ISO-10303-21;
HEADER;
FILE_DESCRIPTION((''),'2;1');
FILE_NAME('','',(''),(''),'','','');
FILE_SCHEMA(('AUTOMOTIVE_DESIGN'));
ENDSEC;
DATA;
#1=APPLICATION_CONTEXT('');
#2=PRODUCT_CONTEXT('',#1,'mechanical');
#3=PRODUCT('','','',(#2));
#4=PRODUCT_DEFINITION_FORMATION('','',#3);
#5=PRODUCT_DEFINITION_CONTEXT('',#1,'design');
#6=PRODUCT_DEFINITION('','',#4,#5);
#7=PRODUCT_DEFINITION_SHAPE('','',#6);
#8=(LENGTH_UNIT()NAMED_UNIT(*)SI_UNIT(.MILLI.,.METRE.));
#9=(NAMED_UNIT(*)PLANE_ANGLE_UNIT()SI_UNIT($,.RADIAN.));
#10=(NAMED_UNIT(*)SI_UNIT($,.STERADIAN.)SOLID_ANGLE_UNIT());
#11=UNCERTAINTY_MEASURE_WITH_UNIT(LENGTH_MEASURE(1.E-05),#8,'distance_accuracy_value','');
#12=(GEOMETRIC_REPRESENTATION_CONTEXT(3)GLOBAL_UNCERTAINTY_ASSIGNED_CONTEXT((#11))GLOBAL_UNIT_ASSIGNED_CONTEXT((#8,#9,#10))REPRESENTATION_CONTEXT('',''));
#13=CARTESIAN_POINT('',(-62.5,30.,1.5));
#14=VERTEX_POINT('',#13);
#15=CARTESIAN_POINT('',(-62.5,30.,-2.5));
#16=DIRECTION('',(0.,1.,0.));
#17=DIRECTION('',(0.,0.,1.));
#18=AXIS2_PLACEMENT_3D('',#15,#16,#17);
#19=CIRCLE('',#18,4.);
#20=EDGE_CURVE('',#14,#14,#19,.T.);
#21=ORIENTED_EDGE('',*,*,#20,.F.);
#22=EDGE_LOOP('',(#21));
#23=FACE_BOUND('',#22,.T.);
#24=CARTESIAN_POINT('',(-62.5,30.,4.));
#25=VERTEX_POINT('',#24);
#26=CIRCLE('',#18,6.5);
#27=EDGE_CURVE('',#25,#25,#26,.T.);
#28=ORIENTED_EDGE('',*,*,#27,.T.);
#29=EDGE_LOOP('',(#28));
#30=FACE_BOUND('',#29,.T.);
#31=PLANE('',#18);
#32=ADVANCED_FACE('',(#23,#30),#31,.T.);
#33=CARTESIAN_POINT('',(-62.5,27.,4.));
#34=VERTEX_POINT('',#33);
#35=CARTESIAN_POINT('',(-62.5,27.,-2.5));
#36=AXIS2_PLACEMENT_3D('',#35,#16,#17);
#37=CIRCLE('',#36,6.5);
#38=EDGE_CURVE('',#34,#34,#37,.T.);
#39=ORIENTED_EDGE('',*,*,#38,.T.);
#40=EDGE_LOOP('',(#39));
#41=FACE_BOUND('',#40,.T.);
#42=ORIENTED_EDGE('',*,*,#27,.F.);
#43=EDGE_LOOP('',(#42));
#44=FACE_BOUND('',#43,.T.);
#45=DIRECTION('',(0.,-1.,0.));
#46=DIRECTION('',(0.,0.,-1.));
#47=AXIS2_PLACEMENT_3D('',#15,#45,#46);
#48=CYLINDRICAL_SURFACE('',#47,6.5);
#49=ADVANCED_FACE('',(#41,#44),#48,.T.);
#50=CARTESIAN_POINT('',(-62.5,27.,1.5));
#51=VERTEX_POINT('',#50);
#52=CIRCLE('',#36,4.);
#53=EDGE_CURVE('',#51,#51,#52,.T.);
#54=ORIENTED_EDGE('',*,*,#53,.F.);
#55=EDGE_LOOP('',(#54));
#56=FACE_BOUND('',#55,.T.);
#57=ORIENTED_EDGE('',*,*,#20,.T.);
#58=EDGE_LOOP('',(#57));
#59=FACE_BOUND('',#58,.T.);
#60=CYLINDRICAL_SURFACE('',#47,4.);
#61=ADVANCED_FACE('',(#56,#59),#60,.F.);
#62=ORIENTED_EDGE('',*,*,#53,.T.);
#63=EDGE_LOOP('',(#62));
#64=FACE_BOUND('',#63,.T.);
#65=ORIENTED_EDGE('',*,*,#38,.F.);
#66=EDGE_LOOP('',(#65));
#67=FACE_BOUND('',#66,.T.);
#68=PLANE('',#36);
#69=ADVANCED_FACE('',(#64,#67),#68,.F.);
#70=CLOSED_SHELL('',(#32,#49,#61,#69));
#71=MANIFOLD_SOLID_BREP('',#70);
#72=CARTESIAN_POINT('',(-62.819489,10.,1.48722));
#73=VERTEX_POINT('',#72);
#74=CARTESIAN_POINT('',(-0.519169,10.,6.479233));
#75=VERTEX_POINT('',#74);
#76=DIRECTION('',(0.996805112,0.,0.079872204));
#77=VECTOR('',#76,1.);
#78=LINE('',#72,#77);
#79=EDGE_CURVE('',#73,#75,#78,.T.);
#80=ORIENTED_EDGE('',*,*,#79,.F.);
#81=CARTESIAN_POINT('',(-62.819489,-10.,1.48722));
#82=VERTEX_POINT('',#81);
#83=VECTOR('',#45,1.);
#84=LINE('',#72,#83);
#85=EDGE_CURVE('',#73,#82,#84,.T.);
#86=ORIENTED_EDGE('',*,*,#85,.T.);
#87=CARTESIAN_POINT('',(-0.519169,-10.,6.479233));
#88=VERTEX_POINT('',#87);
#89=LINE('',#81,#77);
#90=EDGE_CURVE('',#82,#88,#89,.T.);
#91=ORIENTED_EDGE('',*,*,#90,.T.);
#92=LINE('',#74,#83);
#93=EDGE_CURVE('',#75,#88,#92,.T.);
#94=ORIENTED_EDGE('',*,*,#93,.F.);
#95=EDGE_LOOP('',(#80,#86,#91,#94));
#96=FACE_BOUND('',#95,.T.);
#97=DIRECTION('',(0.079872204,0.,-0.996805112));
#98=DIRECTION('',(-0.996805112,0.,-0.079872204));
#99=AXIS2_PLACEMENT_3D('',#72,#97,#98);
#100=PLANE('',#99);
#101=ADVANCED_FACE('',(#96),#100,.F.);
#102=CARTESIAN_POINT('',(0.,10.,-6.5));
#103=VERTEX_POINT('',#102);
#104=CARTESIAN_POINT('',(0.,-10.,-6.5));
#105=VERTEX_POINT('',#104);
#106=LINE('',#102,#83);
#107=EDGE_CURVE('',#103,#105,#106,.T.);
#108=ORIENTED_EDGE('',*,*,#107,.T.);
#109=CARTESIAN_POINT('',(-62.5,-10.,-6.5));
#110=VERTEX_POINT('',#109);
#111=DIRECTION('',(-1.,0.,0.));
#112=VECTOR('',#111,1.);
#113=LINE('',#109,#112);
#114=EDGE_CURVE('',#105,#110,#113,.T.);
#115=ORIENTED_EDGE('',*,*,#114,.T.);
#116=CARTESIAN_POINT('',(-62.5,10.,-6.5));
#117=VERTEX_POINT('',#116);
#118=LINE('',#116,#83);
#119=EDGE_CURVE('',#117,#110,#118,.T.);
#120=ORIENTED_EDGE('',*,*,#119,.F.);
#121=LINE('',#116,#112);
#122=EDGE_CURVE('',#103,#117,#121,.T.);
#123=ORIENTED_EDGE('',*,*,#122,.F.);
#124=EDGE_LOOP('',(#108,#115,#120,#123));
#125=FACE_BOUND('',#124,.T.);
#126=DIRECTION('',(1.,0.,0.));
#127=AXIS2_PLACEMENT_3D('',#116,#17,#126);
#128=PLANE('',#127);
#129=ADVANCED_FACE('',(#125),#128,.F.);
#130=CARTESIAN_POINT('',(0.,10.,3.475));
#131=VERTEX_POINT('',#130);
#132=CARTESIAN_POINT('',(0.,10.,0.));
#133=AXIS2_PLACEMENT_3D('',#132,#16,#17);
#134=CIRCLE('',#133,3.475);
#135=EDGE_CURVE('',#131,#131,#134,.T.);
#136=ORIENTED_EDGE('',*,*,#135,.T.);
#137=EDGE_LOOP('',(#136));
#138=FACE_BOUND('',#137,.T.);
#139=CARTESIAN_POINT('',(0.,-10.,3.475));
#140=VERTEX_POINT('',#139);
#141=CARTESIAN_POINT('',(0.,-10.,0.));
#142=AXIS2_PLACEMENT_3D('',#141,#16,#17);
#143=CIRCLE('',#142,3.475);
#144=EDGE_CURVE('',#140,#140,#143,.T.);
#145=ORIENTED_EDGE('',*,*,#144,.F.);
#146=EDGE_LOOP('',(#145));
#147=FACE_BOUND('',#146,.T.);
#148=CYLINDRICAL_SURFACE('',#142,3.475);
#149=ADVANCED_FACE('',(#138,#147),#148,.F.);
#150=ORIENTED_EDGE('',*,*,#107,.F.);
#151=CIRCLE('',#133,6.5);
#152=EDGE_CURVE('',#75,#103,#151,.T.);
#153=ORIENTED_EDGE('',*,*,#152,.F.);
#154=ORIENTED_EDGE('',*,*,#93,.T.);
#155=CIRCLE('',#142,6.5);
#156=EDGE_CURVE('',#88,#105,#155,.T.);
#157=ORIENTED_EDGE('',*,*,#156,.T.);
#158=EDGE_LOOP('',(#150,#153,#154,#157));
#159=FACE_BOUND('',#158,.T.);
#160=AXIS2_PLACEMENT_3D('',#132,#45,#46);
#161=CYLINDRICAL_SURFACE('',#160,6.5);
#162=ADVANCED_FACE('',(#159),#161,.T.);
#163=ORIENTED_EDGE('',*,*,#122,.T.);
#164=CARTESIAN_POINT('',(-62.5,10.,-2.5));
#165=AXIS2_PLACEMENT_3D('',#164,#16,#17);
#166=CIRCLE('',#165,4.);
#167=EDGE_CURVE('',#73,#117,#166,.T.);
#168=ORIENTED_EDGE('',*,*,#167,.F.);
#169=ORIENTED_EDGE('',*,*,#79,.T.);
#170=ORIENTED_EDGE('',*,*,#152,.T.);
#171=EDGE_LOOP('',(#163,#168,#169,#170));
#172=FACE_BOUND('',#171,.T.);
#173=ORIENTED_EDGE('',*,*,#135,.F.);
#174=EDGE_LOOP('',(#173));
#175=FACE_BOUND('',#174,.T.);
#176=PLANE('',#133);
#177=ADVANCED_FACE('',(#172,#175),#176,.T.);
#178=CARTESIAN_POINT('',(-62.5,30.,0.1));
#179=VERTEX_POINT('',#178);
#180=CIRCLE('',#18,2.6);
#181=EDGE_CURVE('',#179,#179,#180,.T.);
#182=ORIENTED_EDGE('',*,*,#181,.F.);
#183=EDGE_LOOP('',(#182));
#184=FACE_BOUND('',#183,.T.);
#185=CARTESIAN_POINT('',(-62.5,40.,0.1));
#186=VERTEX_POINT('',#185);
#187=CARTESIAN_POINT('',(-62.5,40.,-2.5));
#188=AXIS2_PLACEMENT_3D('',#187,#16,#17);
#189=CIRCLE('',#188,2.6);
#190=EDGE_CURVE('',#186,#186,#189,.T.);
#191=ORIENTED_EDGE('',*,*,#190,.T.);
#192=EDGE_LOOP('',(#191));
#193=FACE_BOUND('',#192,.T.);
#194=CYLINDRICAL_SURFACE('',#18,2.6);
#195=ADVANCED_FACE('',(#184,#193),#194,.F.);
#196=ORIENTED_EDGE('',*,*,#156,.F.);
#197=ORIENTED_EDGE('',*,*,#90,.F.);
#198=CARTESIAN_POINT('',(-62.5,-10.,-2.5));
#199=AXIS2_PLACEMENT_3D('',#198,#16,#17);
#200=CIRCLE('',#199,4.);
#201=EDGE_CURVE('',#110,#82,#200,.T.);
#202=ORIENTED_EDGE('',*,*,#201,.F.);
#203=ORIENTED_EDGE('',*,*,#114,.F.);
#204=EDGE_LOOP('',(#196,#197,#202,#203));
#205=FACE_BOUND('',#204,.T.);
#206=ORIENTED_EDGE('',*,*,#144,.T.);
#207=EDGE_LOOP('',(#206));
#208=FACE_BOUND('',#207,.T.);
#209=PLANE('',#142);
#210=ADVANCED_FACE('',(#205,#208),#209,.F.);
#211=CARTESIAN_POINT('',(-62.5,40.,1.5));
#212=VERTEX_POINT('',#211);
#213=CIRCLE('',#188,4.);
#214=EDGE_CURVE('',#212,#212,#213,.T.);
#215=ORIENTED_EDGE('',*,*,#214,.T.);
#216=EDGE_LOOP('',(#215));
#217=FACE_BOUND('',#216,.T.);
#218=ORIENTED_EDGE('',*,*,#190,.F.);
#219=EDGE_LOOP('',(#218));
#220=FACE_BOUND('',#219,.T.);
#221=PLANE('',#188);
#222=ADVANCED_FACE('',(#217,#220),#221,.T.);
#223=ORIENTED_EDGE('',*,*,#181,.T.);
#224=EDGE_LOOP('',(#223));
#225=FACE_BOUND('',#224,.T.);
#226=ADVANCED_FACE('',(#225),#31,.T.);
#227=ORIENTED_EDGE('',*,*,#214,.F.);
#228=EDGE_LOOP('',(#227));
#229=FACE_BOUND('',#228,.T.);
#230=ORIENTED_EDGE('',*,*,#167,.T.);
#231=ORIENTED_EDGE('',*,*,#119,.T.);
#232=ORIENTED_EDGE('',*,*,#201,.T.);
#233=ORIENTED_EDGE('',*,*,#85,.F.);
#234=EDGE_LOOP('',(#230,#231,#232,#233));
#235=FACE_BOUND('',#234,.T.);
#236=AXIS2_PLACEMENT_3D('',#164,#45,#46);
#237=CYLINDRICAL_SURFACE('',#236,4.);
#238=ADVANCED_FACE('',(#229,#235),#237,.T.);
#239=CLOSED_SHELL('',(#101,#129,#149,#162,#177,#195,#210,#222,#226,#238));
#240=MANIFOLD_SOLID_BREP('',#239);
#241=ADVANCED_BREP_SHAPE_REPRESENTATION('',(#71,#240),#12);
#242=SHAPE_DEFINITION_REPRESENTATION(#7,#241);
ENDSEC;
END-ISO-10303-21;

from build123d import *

# Parameters (mm, degrees)
SALIENTE_EXTRUIR1_DEPTH = 10
CROQUIS2_R              = 3.475
CORTAR_EXTRUIR1_DEPTH   = 21
CROQUIS3_R              = 4
SALIENTE_EXTRUIR2_DEPTH = 30
CROQUIS4_R              = 2.6
CORTAR_EXTRUIR2_DEPTH   = 10
SALIENTE_EXTRUIR3_START = -13
CROQUIS6_R              = 6.5
CROQUIS6_R_2            = 4
SALIENTE_EXTRUIR3_DEPTH = 3


with BuildPart() as part:
    # Croquis1 → Saliente-Extruir1 (new body, symmetric)
    with BuildSketch(Plane(origin=(0, 0, 0), x_dir=(1, 0, 0), z_dir=(0, 1, 0))):
        with BuildLine():
            Line((-62.5, 6.5), (0, 6.5))
            ThreePointArc((0, 6.5), (6.494806232, -0.259792249), (-0.519169329, -6.479233227))
            Line((-0.519169329, -6.479233227), (-62.819488818, -1.487220447))
            ThreePointArc((-62.819488818, -1.487220447), (-66.496803835, 2.659872153), (-62.5, 6.5))
        make_face()
    extrude(amount=SALIENTE_EXTRUIR1_DEPTH, both=True)

    # Croquis2 → Cortar-Extruir1 (cut, through all)
    with BuildSketch(Plane(origin=(0, 10, 0), x_dir=(1, 0, 0), z_dir=(0, 1, 0))):
        Circle(CROQUIS2_R)
    extrude(amount=-CORTAR_EXTRUIR1_DEPTH, mode=Mode.SUBTRACT)

    # Croquis3 → Saliente-Extruir2 (add)
    with BuildSketch(Plane(origin=(0, 10, 0), x_dir=(1, 0, 0), z_dir=(0, 1, 0))):
        with Locations((-62.5, 2.5)):
            Circle(CROQUIS3_R)
    extrude(amount=SALIENTE_EXTRUIR2_DEPTH)

    # Croquis4 → Cortar-Extruir2 (cut)
    with BuildSketch(Plane(origin=(0, 40, 0), x_dir=(1, 0, 0), z_dir=(0, 1, 0))):
        with Locations((-62.5, 2.5)):
            Circle(CROQUIS4_R)
    extrude(amount=-CORTAR_EXTRUIR2_DEPTH, mode=Mode.SUBTRACT)


with BuildPart() as body_2:
    # Croquis6 → Saliente-Extruir3 (new body)
    with BuildSketch(Plane(origin=(0, 40, 0), x_dir=(1, 0, 0), z_dir=(0, 1, 0)).offset(SALIENTE_EXTRUIR3_START)):
        with Locations((-62.5, 2.5)):
            Circle(CROQUIS6_R)
        with Locations((-62.5, 2.5)):
            Circle(CROQUIS6_R_2, mode=Mode.SUBTRACT)
    extrude(amount=SALIENTE_EXTRUIR3_DEPTH)


solid = Compound([part.part, body_2.part])
